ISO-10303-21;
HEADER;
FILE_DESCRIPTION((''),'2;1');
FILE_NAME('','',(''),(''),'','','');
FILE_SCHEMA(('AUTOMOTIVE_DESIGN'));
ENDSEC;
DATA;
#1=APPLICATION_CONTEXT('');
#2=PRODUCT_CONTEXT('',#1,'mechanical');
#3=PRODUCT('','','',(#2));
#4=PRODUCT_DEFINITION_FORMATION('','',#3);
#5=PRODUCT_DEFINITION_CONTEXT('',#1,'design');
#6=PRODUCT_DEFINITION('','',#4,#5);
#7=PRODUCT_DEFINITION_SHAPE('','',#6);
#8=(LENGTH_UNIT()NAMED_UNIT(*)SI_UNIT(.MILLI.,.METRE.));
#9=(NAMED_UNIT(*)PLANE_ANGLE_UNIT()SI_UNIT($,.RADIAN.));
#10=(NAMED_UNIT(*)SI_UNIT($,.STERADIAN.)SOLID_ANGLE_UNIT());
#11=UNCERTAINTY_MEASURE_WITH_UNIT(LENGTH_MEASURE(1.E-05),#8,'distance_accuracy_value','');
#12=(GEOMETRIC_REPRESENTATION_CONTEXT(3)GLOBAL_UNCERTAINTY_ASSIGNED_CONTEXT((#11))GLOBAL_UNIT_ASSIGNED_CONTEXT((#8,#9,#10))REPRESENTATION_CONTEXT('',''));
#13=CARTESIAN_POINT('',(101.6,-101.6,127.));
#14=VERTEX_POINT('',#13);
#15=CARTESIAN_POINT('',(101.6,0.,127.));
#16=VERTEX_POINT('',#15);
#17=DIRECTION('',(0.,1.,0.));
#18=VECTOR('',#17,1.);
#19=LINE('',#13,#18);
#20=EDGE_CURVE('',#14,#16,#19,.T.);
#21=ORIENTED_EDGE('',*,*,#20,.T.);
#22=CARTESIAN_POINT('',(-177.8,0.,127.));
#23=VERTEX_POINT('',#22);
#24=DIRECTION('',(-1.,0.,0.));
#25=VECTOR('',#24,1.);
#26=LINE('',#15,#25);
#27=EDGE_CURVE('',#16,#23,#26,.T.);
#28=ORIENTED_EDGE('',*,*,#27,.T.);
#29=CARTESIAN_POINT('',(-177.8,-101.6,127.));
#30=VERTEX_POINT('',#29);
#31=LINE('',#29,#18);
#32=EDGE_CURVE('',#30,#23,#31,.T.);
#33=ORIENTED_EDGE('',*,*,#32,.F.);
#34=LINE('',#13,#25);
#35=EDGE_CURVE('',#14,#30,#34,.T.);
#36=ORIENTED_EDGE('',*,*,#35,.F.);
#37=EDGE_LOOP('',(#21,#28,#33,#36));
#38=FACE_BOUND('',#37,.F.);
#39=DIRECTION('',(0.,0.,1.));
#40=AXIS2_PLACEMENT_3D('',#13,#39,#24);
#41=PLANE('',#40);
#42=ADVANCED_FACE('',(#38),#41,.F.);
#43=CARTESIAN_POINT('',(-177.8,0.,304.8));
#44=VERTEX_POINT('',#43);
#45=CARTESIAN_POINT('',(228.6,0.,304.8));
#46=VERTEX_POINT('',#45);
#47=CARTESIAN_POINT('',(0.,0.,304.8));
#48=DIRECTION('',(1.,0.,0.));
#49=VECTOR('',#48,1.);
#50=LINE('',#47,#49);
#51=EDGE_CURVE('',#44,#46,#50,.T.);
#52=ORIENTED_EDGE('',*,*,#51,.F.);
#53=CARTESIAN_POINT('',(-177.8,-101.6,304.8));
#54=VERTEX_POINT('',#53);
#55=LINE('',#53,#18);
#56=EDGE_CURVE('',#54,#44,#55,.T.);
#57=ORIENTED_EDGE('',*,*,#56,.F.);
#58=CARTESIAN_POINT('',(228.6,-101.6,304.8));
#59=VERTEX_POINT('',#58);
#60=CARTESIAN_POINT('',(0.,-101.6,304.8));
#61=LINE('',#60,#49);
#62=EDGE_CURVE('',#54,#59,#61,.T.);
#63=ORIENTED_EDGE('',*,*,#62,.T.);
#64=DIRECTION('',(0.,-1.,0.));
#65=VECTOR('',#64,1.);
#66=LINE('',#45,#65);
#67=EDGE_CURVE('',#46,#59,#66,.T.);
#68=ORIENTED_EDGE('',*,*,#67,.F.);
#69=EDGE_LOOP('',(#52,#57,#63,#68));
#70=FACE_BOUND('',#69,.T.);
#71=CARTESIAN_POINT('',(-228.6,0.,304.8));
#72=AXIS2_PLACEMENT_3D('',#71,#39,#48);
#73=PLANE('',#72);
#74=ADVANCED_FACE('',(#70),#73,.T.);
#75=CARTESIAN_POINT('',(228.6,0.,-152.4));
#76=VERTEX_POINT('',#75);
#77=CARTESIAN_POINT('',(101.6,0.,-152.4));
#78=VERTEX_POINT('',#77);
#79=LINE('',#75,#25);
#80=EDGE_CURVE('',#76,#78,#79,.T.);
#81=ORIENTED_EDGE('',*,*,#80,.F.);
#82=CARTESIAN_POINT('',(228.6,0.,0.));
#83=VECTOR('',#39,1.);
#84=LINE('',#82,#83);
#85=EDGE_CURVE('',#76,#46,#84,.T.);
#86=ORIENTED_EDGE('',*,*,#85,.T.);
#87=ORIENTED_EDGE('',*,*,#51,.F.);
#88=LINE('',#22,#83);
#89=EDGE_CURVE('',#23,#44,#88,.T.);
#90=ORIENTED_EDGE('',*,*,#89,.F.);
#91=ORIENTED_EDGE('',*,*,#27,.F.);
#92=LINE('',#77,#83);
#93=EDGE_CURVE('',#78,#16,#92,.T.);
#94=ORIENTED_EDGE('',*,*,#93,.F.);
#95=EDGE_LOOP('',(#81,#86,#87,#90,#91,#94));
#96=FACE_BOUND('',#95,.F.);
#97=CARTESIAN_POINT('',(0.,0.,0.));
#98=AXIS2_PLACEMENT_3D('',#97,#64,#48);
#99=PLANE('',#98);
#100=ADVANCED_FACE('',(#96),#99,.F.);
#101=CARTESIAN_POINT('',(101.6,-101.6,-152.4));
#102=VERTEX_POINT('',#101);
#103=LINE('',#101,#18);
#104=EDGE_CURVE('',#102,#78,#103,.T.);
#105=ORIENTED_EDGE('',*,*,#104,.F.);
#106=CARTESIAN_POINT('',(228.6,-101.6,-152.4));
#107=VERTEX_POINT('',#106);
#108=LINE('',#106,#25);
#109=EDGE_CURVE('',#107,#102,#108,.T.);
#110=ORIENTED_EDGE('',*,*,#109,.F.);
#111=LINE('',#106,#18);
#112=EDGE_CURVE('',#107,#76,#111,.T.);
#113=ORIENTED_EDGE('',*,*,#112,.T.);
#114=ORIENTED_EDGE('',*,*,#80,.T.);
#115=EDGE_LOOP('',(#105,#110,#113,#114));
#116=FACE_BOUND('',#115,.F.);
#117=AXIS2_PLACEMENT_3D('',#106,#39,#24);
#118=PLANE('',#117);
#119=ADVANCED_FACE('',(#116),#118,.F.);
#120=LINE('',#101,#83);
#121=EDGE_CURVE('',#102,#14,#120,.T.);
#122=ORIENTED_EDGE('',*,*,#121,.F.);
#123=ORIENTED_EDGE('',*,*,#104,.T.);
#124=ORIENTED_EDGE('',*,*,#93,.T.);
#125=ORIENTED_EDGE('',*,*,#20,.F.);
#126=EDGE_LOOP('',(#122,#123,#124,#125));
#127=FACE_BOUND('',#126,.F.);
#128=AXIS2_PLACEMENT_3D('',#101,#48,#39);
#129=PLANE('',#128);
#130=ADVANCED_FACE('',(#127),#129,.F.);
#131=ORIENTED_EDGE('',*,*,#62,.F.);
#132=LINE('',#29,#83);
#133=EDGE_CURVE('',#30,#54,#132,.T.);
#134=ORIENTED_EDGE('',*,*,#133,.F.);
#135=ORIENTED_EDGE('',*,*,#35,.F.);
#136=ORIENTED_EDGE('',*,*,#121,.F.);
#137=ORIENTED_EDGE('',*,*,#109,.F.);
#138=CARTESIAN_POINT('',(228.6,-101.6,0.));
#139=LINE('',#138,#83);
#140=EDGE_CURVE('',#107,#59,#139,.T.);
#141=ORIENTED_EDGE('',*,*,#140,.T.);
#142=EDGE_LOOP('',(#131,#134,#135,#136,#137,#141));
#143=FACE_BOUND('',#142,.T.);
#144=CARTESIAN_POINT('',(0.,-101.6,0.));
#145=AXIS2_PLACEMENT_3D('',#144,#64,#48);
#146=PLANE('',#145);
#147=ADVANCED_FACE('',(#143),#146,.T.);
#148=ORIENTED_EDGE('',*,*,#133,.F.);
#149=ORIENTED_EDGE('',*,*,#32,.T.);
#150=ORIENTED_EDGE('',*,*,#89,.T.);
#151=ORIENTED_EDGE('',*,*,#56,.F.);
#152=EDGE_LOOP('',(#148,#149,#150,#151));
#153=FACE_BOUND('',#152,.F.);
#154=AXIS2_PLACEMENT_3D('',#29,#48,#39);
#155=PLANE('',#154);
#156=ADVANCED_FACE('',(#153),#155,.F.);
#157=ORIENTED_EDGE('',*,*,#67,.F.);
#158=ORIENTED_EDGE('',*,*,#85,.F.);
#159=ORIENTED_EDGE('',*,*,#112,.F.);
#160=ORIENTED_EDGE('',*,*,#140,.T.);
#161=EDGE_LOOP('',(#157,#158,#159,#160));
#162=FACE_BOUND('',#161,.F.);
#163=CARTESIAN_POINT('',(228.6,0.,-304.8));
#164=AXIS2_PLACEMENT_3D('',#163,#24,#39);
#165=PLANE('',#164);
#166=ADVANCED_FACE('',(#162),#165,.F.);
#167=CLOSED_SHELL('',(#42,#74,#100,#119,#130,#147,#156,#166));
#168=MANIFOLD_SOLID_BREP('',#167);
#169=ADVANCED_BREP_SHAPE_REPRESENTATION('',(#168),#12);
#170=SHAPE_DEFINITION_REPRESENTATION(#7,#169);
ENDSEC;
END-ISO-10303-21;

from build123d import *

# Parameters (mm, degrees)
F0_W     = 457.2
F0_H     = 609.6
F1_DEPTH = 101.6
F3_DEPTH = 101.6


with BuildPart() as f1:
    # F0 (on Front) → F1 (new body)
    with BuildSketch(Plane.XZ):
        Rectangle(F0_W, F0_H)
    extrude(amount=F1_DEPTH)

    # F2 (on face) → F3 (cut, through all)
    with BuildSketch(Plane.XZ.offset(101.6)):
        Polygon((101.6, 127), (-177.8, 127), (-177.8, 304.8), (-228.6, 304.8), (-228.6, 127), (-228.6, -304.8), (101.6, -304.8), (228.6, -304.8), (228.6, -152.4), (101.6, -152.4), align=None)
    extrude(amount=-F3_DEPTH, mode=Mode.SUBTRACT)


solid = f1.part
